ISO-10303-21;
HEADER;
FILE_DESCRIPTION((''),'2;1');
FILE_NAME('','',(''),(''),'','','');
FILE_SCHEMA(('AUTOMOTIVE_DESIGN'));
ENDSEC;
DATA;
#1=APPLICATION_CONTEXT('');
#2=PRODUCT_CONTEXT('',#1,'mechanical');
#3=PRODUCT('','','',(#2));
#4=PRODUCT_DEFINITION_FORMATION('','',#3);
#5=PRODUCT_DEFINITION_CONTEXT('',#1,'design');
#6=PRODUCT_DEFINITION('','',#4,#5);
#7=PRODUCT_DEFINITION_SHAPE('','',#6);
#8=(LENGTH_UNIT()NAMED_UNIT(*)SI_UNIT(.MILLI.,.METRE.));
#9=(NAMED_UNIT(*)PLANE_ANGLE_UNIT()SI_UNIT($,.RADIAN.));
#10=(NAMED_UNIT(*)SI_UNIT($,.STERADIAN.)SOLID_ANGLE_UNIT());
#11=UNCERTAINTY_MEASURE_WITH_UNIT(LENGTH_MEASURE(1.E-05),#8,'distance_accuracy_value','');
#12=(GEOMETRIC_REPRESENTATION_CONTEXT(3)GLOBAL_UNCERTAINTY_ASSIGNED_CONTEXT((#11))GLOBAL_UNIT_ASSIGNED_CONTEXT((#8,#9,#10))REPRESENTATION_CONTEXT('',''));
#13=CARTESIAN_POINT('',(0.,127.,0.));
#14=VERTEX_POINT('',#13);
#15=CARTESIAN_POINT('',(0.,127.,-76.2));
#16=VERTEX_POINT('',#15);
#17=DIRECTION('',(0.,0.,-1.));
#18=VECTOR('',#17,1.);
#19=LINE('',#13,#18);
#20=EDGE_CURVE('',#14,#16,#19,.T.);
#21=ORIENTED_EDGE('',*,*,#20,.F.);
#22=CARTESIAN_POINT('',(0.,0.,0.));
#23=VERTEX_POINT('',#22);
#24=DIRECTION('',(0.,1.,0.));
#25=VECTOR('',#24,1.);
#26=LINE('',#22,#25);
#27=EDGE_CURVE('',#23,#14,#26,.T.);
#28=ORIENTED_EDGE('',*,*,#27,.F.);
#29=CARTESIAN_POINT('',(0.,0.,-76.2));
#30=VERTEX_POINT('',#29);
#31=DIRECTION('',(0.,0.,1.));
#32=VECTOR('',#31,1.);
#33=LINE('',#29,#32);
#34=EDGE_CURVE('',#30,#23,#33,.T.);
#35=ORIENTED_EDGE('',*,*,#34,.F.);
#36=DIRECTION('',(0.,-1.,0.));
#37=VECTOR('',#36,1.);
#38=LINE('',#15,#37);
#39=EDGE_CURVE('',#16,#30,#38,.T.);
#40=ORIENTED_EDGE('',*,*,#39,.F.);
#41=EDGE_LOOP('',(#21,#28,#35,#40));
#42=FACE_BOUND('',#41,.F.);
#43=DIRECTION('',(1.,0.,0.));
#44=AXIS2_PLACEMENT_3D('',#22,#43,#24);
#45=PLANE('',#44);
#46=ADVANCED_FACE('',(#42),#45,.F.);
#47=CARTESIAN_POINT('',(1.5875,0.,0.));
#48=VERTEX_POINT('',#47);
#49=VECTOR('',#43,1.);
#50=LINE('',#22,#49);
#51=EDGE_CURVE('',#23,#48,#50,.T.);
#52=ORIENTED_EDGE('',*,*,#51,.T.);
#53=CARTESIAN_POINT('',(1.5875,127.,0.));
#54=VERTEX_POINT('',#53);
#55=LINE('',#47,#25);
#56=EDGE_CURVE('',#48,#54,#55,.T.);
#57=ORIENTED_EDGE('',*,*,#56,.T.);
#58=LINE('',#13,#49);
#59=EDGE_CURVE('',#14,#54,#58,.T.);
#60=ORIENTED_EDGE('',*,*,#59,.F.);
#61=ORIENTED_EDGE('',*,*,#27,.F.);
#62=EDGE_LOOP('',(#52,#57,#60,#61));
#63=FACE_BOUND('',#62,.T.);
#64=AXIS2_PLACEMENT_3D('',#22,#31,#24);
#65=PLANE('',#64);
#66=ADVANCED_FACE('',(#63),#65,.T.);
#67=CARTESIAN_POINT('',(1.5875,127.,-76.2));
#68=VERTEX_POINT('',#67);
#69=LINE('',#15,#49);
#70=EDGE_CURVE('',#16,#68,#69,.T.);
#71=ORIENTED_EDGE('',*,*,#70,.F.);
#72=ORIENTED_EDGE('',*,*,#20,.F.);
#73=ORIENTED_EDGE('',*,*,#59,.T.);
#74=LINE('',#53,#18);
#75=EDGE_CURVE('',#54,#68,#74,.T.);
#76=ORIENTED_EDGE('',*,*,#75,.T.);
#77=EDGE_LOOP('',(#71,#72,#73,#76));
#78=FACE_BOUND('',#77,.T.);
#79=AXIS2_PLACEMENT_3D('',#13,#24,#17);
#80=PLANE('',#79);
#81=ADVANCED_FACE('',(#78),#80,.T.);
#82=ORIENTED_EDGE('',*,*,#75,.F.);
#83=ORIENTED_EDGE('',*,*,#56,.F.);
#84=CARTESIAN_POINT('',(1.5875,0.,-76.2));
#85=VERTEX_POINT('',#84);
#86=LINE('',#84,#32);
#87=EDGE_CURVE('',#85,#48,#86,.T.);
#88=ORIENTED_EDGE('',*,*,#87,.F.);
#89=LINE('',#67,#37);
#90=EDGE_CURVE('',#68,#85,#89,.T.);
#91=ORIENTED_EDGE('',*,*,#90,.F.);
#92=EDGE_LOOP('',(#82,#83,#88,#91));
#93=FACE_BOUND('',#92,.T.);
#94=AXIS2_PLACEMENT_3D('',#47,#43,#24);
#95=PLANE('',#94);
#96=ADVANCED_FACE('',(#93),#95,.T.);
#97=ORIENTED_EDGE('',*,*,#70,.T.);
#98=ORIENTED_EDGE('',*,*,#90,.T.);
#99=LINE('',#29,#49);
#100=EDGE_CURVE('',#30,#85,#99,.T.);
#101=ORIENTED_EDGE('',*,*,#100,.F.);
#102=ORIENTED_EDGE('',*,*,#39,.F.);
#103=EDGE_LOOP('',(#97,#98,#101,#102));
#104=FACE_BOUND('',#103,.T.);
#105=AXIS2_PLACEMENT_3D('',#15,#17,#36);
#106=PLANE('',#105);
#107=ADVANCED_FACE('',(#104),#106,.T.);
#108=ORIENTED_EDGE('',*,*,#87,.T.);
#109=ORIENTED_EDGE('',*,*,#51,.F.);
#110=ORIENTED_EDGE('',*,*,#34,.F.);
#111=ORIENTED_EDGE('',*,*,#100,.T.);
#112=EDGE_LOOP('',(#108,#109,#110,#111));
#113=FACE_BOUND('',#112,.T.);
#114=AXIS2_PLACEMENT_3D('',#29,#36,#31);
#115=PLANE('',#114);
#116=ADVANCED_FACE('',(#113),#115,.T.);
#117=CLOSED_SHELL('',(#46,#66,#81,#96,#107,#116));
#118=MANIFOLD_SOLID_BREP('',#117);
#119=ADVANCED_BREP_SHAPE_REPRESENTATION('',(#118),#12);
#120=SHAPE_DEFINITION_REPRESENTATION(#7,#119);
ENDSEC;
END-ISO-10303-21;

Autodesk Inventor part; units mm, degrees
ref_plane "YZ Plane" through (0, 0, 0) normal (1, 0, 0) x (0, 1, 0)
ref_plane "XZ Plane" through (0, 0, 0) normal (0, 1, 0) x (-1, 0, 0)
ref_plane "XY Plane" through (0, 0, 0) normal (0, 0, 1) x (1, 0, 0)
sketch "Sketch1" plane through (0, 0, 0) normal (1, 0, 0) x (0, 1, 0)
  line L0 (0, 0) -> (127, 0)
  line L1 (127, 0) -> (127, -76.2)
  line L2 (127, -76.2) -> (0, -76.2)
  line L3 (0, -76.2) -> (0, 0)
  dimension "d0" = 127
  dimension "d1" = 76.2
extrude "Extrusion1" add sketch "Sketch1" along normal blind 1.5875
properties part number "CAR_031_VersaplanetaryMountPlate" material "Aluminum 6061"
